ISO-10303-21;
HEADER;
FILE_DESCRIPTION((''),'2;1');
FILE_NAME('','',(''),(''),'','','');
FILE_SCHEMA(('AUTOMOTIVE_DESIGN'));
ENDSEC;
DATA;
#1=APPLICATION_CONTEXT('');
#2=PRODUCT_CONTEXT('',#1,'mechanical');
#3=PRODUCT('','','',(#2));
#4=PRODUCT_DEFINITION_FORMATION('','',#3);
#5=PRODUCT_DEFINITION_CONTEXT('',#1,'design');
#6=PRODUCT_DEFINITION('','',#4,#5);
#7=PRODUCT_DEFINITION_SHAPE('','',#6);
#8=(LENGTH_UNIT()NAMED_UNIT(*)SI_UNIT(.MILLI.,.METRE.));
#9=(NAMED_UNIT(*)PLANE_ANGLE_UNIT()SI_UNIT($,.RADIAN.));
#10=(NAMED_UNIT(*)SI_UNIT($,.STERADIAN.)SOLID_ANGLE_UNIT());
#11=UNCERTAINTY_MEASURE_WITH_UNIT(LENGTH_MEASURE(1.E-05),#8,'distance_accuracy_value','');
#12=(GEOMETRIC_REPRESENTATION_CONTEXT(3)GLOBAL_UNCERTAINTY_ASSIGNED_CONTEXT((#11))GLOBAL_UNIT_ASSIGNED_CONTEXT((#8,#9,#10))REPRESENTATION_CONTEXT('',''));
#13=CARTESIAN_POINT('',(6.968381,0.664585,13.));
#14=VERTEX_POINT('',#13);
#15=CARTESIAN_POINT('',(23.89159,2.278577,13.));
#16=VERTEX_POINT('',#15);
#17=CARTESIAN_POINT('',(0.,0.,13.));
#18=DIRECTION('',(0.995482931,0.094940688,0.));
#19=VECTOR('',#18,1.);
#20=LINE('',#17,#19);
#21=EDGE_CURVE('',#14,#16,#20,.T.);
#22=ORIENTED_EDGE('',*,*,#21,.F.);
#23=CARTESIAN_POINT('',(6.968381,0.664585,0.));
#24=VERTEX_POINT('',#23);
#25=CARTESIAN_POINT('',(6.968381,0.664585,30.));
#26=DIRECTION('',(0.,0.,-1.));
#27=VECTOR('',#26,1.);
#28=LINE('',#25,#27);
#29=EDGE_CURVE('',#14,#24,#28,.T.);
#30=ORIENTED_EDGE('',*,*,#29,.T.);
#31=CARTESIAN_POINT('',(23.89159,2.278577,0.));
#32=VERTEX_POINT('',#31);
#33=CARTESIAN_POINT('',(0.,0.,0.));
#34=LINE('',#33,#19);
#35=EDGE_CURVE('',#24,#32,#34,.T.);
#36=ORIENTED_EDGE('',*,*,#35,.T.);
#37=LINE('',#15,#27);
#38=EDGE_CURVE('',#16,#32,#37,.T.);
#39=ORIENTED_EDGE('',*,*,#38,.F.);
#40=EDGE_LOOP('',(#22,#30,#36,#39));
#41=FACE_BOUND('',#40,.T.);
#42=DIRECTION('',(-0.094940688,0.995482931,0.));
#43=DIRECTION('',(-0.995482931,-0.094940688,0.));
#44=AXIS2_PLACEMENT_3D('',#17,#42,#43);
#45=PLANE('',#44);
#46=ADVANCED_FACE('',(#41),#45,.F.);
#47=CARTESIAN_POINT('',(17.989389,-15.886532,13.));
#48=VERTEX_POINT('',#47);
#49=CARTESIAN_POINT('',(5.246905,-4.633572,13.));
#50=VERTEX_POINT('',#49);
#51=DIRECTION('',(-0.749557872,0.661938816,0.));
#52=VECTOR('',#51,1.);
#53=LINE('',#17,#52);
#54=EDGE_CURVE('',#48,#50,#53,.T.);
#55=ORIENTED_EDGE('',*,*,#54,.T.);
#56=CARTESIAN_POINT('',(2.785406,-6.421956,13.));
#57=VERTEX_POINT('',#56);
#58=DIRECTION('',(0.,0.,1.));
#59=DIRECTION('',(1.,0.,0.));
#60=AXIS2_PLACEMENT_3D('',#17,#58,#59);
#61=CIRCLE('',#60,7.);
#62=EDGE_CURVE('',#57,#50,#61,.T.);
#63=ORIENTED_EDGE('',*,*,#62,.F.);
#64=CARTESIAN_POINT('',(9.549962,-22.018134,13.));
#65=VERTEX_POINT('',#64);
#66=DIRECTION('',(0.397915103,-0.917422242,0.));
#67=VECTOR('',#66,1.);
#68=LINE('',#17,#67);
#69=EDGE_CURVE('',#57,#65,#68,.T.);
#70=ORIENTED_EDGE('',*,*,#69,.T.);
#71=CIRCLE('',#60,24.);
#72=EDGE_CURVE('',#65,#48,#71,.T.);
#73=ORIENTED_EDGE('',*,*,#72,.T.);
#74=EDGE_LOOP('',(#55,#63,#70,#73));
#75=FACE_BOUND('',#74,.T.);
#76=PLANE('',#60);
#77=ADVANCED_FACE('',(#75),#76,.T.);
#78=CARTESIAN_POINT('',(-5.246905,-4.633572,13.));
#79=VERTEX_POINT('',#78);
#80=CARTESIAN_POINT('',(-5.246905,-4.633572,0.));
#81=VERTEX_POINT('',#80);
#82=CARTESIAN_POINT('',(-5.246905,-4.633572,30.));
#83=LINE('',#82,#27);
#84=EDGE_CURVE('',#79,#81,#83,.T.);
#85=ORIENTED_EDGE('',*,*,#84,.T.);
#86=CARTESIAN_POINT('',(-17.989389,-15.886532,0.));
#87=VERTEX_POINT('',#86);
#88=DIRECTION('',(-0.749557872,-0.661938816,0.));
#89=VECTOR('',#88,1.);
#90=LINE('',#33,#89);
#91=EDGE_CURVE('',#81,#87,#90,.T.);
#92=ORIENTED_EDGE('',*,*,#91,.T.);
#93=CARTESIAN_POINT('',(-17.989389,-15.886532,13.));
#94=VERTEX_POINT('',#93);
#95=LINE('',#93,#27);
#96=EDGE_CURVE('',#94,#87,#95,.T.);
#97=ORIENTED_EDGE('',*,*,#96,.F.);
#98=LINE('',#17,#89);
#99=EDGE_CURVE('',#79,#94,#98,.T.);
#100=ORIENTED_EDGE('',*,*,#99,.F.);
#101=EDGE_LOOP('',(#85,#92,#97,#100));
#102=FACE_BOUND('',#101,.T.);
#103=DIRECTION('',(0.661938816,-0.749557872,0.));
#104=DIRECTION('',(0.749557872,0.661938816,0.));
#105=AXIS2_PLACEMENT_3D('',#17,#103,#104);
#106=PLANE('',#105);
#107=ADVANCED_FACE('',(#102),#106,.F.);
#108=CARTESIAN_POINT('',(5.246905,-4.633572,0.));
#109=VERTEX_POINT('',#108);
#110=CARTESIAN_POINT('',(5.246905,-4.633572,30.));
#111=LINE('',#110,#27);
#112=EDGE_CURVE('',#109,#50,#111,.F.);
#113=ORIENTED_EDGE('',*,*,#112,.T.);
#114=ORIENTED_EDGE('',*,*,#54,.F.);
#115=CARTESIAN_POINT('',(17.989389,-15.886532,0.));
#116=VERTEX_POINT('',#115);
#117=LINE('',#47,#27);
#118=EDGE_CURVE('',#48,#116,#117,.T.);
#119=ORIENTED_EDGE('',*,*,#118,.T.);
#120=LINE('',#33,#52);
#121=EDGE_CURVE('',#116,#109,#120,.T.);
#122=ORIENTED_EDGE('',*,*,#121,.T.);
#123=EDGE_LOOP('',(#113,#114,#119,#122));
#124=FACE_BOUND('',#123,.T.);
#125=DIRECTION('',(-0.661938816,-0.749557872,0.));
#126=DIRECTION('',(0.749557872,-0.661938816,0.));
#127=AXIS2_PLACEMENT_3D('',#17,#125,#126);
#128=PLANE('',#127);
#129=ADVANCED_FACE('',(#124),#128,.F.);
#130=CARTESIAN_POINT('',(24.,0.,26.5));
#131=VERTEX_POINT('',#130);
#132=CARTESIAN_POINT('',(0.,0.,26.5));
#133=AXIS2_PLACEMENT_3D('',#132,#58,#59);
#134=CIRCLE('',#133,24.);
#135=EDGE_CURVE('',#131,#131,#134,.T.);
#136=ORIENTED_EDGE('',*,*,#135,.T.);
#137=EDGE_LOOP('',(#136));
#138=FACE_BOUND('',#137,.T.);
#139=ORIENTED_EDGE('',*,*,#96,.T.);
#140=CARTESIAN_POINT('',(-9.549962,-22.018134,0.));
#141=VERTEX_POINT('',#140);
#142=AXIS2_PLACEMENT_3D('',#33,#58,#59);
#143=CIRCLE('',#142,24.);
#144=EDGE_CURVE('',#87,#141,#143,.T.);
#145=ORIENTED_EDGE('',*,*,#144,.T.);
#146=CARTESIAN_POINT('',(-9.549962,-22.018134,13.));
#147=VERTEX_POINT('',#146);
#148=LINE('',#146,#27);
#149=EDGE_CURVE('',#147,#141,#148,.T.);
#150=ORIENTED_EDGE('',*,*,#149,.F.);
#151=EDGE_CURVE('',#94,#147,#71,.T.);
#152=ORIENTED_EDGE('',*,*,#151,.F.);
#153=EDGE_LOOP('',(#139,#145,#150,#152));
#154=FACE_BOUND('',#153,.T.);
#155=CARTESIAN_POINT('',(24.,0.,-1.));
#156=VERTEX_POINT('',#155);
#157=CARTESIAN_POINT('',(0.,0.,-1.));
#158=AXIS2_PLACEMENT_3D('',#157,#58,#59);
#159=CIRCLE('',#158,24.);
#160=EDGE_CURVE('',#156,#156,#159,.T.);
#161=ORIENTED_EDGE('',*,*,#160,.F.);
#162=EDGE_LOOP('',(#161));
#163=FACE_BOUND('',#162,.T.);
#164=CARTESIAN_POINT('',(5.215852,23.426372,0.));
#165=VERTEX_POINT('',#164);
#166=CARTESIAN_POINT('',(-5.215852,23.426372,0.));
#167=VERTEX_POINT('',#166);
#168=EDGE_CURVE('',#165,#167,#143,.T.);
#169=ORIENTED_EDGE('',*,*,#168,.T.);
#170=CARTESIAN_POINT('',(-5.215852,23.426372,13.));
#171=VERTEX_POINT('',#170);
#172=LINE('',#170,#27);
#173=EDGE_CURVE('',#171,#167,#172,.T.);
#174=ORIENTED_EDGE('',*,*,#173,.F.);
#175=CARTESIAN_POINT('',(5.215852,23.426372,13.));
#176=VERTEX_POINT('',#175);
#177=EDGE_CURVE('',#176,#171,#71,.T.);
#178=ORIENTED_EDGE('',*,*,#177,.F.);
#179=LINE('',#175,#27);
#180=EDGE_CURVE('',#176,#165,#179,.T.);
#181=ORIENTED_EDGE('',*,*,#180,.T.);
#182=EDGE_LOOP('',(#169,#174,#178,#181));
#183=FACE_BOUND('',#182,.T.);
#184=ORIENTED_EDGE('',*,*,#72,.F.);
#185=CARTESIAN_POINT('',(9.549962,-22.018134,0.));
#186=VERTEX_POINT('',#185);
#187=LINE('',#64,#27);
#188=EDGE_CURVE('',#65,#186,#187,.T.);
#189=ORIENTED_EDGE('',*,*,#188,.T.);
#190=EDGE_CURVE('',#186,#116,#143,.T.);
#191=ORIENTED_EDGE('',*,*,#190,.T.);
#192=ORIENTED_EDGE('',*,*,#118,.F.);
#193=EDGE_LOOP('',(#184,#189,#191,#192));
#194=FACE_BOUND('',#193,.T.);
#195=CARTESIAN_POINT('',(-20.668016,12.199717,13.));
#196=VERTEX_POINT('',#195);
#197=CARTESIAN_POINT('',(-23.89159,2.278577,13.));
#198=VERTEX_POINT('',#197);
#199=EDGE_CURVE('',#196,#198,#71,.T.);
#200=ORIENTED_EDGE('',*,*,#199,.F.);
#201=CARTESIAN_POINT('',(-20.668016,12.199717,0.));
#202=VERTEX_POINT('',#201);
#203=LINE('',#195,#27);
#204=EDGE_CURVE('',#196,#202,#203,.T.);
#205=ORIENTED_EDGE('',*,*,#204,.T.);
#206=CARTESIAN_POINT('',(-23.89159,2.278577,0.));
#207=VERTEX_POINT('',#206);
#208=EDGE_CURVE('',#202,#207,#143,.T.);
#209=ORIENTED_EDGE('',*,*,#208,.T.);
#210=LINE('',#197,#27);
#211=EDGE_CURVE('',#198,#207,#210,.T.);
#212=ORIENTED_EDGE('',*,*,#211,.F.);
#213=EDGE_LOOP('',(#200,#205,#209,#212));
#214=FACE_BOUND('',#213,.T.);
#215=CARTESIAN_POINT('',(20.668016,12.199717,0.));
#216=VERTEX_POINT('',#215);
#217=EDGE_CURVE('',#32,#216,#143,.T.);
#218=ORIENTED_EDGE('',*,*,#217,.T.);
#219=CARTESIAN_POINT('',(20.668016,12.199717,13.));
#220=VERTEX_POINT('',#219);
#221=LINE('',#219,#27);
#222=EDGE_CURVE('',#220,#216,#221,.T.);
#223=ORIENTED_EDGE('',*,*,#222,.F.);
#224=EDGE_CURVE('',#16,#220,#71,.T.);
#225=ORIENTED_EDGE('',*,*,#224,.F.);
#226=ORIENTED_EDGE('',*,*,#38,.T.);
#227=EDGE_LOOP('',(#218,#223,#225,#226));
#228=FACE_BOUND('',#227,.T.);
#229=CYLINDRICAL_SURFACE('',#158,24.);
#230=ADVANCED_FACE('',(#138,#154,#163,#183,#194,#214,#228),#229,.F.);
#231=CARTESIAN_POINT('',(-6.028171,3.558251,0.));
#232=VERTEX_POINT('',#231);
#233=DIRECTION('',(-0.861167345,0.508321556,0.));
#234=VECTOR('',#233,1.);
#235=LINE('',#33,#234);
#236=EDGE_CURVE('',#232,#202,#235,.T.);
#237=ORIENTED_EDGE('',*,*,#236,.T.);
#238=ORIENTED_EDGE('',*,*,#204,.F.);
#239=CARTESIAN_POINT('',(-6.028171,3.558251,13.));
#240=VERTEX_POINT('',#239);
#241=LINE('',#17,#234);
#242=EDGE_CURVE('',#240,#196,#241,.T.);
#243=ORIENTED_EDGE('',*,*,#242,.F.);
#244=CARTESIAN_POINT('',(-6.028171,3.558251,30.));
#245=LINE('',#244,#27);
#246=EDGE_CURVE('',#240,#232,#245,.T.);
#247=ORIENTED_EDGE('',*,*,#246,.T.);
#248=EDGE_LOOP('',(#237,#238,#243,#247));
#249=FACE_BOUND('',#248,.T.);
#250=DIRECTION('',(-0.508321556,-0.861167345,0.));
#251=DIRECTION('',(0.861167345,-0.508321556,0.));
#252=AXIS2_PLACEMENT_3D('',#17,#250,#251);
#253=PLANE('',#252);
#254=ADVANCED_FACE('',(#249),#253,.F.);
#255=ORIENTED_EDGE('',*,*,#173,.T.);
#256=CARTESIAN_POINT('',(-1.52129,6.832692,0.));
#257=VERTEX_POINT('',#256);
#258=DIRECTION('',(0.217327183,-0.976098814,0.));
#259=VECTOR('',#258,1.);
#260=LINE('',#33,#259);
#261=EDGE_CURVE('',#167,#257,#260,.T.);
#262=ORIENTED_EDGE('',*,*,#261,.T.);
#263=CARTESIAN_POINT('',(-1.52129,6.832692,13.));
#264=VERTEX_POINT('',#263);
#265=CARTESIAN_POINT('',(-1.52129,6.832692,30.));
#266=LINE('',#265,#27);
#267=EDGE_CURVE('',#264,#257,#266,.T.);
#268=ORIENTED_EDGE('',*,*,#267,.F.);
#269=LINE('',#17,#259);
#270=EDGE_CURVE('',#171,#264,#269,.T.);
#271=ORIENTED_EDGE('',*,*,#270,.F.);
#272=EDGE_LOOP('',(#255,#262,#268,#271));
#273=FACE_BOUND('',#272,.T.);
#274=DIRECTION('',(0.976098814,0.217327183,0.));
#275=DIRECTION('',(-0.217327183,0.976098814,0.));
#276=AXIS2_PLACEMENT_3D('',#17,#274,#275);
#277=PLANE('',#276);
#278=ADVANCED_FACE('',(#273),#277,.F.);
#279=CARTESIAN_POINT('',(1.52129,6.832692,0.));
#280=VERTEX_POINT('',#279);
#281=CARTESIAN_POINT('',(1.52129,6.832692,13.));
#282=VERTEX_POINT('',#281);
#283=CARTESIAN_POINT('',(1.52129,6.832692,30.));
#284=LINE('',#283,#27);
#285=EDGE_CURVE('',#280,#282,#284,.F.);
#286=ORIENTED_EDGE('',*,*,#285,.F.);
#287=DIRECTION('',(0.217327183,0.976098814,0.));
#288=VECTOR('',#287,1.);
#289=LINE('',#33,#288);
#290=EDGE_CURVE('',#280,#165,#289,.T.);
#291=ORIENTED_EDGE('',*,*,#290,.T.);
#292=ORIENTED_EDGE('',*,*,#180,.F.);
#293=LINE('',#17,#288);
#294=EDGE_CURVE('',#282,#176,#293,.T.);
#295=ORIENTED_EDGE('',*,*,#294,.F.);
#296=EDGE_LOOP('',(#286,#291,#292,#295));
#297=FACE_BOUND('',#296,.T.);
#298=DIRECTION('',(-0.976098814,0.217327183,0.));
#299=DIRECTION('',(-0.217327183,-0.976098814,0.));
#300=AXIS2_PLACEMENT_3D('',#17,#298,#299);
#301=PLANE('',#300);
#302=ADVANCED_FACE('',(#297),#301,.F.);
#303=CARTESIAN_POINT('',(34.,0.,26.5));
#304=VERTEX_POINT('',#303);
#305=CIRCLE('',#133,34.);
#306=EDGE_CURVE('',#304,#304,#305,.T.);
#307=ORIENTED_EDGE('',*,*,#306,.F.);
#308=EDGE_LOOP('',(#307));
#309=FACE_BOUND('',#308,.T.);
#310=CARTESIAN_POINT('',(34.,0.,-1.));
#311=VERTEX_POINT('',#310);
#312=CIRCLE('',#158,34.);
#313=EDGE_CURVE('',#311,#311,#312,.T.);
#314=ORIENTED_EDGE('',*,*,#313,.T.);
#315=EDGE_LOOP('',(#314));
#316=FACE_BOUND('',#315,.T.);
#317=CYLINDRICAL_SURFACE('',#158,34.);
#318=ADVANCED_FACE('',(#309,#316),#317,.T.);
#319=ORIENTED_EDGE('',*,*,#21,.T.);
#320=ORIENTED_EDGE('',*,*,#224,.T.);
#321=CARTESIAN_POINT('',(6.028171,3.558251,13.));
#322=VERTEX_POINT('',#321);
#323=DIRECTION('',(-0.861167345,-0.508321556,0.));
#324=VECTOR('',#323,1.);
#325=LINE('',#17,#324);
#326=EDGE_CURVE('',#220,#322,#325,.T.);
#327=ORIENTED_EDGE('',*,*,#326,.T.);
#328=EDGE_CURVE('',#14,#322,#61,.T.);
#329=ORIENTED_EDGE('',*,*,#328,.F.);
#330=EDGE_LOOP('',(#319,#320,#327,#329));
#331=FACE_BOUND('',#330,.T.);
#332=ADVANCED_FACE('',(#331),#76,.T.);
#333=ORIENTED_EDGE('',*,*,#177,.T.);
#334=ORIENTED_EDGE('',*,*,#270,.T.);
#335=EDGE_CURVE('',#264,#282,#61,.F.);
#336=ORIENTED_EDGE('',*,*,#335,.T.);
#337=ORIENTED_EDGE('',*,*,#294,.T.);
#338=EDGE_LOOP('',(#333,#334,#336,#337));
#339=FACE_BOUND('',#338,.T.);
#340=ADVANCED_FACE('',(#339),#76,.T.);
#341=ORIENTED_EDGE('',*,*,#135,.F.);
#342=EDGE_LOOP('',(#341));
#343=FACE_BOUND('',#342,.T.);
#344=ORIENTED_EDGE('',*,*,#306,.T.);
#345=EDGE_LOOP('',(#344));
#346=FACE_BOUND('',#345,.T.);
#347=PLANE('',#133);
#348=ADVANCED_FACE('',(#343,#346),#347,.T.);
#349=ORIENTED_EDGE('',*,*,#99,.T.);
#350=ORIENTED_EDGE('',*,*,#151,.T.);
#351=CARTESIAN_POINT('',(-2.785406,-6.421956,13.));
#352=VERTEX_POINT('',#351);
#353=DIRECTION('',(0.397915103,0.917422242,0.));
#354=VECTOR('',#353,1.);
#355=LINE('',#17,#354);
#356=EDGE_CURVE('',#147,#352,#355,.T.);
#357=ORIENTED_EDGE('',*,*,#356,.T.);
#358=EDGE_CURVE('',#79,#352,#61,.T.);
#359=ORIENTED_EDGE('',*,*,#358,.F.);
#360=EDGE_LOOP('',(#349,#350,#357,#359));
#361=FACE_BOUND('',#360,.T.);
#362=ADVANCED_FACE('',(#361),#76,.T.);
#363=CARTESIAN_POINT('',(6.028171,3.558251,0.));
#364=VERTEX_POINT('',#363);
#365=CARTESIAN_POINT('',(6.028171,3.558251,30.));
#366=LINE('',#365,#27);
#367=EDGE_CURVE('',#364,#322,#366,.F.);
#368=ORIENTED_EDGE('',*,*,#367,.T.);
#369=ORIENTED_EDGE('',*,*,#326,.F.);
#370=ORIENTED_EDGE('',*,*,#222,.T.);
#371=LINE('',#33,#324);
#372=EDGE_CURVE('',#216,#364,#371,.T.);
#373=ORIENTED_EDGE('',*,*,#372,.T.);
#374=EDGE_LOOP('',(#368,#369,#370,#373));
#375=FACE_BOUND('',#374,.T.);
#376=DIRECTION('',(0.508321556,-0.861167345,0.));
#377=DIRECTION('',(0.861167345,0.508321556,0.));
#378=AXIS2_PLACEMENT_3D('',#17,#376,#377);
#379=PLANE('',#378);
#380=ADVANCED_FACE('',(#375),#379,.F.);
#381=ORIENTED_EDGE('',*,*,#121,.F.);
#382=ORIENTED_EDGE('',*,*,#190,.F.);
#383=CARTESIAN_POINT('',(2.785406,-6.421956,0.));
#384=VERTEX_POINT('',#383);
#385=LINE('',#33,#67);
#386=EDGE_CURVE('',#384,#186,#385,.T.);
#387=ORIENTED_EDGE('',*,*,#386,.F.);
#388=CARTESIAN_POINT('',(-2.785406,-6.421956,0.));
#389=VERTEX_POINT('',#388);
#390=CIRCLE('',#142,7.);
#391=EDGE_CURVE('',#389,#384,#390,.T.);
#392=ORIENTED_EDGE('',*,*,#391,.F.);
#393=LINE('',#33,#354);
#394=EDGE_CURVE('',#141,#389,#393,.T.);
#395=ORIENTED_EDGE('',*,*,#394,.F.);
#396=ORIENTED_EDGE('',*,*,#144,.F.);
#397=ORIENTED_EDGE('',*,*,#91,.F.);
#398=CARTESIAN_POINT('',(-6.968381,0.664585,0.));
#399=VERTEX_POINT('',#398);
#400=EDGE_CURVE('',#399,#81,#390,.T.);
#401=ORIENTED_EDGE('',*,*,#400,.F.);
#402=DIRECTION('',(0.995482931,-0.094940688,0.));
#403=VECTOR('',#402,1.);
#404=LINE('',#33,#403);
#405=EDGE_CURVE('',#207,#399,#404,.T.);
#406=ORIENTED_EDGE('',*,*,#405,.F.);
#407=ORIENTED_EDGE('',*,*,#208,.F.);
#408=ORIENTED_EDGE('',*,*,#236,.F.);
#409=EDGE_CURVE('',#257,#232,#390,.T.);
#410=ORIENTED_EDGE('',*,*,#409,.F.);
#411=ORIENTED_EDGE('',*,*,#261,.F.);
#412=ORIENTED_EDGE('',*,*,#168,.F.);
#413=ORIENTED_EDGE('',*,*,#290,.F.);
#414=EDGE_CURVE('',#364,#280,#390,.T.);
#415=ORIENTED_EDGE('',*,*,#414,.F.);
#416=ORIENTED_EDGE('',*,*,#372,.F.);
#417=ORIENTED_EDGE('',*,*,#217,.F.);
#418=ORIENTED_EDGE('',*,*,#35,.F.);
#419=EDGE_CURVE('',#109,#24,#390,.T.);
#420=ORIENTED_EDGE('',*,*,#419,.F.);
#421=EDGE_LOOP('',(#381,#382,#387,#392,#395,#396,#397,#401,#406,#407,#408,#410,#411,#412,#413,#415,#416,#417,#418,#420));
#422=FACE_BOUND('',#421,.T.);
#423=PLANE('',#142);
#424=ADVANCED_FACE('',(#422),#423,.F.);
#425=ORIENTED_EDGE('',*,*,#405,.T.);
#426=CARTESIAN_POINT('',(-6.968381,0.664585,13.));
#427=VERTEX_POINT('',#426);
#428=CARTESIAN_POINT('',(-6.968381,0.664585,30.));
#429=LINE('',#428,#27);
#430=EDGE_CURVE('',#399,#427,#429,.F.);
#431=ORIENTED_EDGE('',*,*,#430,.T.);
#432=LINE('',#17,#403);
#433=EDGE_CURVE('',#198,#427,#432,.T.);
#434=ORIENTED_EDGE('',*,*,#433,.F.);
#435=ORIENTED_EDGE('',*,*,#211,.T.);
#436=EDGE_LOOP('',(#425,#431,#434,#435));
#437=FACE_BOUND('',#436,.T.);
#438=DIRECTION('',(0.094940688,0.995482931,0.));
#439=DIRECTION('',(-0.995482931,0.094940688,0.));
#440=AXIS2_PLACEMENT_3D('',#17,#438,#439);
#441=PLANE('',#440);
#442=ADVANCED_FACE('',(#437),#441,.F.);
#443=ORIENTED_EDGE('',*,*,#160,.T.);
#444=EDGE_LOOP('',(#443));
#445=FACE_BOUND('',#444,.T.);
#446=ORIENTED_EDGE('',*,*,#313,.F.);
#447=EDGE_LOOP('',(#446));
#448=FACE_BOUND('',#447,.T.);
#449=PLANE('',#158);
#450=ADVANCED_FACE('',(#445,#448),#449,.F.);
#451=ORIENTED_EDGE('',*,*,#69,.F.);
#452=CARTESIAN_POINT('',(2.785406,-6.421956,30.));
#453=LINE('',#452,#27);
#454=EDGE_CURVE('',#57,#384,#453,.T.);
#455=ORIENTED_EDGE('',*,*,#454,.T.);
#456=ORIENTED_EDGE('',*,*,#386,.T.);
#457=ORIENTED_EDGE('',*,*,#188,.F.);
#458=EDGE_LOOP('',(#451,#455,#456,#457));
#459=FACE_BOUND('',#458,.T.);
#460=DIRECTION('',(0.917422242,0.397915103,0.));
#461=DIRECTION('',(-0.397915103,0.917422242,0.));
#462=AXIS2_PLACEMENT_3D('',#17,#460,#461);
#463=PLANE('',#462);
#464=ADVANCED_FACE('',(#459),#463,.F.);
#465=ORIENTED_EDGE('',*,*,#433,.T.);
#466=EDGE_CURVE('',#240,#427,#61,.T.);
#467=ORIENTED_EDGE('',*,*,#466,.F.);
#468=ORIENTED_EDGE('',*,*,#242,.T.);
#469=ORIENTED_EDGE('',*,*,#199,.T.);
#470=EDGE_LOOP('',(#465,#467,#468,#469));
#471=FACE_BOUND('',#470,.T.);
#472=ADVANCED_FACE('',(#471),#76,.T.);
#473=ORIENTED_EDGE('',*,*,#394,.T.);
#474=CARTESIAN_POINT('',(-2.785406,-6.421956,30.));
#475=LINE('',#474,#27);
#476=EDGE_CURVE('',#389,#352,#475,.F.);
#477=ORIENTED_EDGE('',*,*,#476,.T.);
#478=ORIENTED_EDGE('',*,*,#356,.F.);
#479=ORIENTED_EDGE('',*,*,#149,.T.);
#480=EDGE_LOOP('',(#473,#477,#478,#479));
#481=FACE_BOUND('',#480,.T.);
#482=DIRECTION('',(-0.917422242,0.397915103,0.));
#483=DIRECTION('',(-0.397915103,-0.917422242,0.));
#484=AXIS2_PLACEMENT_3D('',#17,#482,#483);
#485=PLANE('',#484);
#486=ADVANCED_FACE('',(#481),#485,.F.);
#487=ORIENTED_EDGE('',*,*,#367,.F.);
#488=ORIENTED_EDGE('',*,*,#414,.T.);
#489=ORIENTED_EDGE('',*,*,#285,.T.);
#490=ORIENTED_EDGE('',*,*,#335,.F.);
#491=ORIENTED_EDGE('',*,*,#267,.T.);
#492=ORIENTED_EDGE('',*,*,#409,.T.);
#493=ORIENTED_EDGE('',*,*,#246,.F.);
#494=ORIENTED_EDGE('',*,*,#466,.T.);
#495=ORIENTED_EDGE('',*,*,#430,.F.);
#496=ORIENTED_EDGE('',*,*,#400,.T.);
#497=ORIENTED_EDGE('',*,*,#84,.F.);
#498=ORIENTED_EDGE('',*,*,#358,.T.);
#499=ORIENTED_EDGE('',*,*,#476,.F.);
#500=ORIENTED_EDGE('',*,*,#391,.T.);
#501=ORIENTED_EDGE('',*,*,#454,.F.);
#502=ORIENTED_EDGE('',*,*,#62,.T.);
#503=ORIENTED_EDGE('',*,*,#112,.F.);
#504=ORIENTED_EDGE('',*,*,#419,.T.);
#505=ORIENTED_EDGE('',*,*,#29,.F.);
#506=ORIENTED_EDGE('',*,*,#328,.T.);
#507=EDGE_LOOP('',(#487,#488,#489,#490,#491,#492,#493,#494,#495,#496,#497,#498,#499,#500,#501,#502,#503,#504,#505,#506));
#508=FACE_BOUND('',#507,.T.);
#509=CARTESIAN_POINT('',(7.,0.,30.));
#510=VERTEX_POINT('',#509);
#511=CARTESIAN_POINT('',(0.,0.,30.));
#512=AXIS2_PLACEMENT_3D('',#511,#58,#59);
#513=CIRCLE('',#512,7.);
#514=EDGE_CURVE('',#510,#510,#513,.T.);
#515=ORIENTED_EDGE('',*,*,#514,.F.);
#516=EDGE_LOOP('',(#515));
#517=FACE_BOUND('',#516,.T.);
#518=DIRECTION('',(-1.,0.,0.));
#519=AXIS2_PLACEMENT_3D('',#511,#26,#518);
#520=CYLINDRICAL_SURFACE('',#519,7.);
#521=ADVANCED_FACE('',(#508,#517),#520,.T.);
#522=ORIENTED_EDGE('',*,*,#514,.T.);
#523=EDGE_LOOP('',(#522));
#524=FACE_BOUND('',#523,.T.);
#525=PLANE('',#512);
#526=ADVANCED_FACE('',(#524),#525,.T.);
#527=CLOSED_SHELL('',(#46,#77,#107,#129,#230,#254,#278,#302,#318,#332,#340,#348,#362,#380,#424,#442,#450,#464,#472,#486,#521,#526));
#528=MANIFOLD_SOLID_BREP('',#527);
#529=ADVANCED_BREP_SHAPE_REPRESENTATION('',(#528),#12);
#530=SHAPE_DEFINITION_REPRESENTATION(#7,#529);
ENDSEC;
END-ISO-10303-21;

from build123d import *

# Parameters (mm, degrees)
SALIENTE_EXTRUIR2_DEPTH      = 26.5
SALIENTE_EXTRUIR2_DEPTH_BACK = 1
CROQUIS1_R                   = 34
CROQUIS1_R_2                 = 24
CROQUIS2_R                   = 7
SALIENTE_EXTRUIR3_DEPTH      = 30
SALIENTE_EXTRUIR4_DEPTH      = 13


with BuildPart() as part:
    # Croquis1 → Saliente-Extruir2 (new, two sides: drawn at the far end of the back side and taken through both)
    with BuildSketch(Plane.XY.offset(-SALIENTE_EXTRUIR2_DEPTH_BACK)):
        Circle(CROQUIS1_R)
        Circle(CROQUIS1_R_2, mode=Mode.SUBTRACT)
    extrude(amount=SALIENTE_EXTRUIR2_DEPTH + SALIENTE_EXTRUIR2_DEPTH_BACK)



with BuildPart() as body_2:
    # Croquis2 → Saliente-Extruir3 (new body)
    with BuildSketch(Plane.XY):
        Circle(CROQUIS2_R)
    extrude(amount=SALIENTE_EXTRUIR3_DEPTH)


with BuildPart() as part_1:
    add(part.part)

    add(body_2.part)  # Saliente-Extruir4 merges body 2
    # Croquis3 → Saliente-Extruir4 (add)
    with BuildSketch(Plane.XY):
        with BuildLine():
            ThreePointArc((5.215852398, 23.426371545), (0, 24), (-5.215852398, 23.426371545))
            Line((-5.215852398, 23.426371545), (0, 0))
            Line((0, 0), (5.215852398, 23.426371545))
        make_face()
        with BuildLine():
            Line((-23.891590342, 2.278576513), (0, 0))
            Line((0, 0), (-20.66801628, 12.199717335))
            ThreePointArc((-20.66801628, 12.199717335), (-22.825356391, 7.416407865), (-23.891590342, 2.278576513))
        make_face()
        with BuildLine():
            Line((20.66801628, 12.199717335), (0, 0))
            Line((0, 0), (23.891590342, 2.278576513))
            ThreePointArc((23.891590342, 2.278576513), (22.825356391, 7.416407865), (20.66801628, 12.199717335))
        make_face()
        with BuildLine():
            Line((17.989388939, -15.886531579), (0, 0))
            Line((0, 0), (9.549962479, -22.018133814))
            ThreePointArc((9.549962479, -22.018133814), (14.106846055, -19.416407865), (17.989388939, -15.886531579))
        make_face()
        with BuildLine():
            Line((-9.549962479, -22.018133814), (0, 0))
            Line((0, 0), (-17.989388939, -15.886531579))
            ThreePointArc((-17.989388939, -15.886531579), (-14.106846055, -19.416407865), (-9.549962479, -22.018133814))
        make_face()
    extrude(amount=SALIENTE_EXTRUIR4_DEPTH)


solid = part_1.part
